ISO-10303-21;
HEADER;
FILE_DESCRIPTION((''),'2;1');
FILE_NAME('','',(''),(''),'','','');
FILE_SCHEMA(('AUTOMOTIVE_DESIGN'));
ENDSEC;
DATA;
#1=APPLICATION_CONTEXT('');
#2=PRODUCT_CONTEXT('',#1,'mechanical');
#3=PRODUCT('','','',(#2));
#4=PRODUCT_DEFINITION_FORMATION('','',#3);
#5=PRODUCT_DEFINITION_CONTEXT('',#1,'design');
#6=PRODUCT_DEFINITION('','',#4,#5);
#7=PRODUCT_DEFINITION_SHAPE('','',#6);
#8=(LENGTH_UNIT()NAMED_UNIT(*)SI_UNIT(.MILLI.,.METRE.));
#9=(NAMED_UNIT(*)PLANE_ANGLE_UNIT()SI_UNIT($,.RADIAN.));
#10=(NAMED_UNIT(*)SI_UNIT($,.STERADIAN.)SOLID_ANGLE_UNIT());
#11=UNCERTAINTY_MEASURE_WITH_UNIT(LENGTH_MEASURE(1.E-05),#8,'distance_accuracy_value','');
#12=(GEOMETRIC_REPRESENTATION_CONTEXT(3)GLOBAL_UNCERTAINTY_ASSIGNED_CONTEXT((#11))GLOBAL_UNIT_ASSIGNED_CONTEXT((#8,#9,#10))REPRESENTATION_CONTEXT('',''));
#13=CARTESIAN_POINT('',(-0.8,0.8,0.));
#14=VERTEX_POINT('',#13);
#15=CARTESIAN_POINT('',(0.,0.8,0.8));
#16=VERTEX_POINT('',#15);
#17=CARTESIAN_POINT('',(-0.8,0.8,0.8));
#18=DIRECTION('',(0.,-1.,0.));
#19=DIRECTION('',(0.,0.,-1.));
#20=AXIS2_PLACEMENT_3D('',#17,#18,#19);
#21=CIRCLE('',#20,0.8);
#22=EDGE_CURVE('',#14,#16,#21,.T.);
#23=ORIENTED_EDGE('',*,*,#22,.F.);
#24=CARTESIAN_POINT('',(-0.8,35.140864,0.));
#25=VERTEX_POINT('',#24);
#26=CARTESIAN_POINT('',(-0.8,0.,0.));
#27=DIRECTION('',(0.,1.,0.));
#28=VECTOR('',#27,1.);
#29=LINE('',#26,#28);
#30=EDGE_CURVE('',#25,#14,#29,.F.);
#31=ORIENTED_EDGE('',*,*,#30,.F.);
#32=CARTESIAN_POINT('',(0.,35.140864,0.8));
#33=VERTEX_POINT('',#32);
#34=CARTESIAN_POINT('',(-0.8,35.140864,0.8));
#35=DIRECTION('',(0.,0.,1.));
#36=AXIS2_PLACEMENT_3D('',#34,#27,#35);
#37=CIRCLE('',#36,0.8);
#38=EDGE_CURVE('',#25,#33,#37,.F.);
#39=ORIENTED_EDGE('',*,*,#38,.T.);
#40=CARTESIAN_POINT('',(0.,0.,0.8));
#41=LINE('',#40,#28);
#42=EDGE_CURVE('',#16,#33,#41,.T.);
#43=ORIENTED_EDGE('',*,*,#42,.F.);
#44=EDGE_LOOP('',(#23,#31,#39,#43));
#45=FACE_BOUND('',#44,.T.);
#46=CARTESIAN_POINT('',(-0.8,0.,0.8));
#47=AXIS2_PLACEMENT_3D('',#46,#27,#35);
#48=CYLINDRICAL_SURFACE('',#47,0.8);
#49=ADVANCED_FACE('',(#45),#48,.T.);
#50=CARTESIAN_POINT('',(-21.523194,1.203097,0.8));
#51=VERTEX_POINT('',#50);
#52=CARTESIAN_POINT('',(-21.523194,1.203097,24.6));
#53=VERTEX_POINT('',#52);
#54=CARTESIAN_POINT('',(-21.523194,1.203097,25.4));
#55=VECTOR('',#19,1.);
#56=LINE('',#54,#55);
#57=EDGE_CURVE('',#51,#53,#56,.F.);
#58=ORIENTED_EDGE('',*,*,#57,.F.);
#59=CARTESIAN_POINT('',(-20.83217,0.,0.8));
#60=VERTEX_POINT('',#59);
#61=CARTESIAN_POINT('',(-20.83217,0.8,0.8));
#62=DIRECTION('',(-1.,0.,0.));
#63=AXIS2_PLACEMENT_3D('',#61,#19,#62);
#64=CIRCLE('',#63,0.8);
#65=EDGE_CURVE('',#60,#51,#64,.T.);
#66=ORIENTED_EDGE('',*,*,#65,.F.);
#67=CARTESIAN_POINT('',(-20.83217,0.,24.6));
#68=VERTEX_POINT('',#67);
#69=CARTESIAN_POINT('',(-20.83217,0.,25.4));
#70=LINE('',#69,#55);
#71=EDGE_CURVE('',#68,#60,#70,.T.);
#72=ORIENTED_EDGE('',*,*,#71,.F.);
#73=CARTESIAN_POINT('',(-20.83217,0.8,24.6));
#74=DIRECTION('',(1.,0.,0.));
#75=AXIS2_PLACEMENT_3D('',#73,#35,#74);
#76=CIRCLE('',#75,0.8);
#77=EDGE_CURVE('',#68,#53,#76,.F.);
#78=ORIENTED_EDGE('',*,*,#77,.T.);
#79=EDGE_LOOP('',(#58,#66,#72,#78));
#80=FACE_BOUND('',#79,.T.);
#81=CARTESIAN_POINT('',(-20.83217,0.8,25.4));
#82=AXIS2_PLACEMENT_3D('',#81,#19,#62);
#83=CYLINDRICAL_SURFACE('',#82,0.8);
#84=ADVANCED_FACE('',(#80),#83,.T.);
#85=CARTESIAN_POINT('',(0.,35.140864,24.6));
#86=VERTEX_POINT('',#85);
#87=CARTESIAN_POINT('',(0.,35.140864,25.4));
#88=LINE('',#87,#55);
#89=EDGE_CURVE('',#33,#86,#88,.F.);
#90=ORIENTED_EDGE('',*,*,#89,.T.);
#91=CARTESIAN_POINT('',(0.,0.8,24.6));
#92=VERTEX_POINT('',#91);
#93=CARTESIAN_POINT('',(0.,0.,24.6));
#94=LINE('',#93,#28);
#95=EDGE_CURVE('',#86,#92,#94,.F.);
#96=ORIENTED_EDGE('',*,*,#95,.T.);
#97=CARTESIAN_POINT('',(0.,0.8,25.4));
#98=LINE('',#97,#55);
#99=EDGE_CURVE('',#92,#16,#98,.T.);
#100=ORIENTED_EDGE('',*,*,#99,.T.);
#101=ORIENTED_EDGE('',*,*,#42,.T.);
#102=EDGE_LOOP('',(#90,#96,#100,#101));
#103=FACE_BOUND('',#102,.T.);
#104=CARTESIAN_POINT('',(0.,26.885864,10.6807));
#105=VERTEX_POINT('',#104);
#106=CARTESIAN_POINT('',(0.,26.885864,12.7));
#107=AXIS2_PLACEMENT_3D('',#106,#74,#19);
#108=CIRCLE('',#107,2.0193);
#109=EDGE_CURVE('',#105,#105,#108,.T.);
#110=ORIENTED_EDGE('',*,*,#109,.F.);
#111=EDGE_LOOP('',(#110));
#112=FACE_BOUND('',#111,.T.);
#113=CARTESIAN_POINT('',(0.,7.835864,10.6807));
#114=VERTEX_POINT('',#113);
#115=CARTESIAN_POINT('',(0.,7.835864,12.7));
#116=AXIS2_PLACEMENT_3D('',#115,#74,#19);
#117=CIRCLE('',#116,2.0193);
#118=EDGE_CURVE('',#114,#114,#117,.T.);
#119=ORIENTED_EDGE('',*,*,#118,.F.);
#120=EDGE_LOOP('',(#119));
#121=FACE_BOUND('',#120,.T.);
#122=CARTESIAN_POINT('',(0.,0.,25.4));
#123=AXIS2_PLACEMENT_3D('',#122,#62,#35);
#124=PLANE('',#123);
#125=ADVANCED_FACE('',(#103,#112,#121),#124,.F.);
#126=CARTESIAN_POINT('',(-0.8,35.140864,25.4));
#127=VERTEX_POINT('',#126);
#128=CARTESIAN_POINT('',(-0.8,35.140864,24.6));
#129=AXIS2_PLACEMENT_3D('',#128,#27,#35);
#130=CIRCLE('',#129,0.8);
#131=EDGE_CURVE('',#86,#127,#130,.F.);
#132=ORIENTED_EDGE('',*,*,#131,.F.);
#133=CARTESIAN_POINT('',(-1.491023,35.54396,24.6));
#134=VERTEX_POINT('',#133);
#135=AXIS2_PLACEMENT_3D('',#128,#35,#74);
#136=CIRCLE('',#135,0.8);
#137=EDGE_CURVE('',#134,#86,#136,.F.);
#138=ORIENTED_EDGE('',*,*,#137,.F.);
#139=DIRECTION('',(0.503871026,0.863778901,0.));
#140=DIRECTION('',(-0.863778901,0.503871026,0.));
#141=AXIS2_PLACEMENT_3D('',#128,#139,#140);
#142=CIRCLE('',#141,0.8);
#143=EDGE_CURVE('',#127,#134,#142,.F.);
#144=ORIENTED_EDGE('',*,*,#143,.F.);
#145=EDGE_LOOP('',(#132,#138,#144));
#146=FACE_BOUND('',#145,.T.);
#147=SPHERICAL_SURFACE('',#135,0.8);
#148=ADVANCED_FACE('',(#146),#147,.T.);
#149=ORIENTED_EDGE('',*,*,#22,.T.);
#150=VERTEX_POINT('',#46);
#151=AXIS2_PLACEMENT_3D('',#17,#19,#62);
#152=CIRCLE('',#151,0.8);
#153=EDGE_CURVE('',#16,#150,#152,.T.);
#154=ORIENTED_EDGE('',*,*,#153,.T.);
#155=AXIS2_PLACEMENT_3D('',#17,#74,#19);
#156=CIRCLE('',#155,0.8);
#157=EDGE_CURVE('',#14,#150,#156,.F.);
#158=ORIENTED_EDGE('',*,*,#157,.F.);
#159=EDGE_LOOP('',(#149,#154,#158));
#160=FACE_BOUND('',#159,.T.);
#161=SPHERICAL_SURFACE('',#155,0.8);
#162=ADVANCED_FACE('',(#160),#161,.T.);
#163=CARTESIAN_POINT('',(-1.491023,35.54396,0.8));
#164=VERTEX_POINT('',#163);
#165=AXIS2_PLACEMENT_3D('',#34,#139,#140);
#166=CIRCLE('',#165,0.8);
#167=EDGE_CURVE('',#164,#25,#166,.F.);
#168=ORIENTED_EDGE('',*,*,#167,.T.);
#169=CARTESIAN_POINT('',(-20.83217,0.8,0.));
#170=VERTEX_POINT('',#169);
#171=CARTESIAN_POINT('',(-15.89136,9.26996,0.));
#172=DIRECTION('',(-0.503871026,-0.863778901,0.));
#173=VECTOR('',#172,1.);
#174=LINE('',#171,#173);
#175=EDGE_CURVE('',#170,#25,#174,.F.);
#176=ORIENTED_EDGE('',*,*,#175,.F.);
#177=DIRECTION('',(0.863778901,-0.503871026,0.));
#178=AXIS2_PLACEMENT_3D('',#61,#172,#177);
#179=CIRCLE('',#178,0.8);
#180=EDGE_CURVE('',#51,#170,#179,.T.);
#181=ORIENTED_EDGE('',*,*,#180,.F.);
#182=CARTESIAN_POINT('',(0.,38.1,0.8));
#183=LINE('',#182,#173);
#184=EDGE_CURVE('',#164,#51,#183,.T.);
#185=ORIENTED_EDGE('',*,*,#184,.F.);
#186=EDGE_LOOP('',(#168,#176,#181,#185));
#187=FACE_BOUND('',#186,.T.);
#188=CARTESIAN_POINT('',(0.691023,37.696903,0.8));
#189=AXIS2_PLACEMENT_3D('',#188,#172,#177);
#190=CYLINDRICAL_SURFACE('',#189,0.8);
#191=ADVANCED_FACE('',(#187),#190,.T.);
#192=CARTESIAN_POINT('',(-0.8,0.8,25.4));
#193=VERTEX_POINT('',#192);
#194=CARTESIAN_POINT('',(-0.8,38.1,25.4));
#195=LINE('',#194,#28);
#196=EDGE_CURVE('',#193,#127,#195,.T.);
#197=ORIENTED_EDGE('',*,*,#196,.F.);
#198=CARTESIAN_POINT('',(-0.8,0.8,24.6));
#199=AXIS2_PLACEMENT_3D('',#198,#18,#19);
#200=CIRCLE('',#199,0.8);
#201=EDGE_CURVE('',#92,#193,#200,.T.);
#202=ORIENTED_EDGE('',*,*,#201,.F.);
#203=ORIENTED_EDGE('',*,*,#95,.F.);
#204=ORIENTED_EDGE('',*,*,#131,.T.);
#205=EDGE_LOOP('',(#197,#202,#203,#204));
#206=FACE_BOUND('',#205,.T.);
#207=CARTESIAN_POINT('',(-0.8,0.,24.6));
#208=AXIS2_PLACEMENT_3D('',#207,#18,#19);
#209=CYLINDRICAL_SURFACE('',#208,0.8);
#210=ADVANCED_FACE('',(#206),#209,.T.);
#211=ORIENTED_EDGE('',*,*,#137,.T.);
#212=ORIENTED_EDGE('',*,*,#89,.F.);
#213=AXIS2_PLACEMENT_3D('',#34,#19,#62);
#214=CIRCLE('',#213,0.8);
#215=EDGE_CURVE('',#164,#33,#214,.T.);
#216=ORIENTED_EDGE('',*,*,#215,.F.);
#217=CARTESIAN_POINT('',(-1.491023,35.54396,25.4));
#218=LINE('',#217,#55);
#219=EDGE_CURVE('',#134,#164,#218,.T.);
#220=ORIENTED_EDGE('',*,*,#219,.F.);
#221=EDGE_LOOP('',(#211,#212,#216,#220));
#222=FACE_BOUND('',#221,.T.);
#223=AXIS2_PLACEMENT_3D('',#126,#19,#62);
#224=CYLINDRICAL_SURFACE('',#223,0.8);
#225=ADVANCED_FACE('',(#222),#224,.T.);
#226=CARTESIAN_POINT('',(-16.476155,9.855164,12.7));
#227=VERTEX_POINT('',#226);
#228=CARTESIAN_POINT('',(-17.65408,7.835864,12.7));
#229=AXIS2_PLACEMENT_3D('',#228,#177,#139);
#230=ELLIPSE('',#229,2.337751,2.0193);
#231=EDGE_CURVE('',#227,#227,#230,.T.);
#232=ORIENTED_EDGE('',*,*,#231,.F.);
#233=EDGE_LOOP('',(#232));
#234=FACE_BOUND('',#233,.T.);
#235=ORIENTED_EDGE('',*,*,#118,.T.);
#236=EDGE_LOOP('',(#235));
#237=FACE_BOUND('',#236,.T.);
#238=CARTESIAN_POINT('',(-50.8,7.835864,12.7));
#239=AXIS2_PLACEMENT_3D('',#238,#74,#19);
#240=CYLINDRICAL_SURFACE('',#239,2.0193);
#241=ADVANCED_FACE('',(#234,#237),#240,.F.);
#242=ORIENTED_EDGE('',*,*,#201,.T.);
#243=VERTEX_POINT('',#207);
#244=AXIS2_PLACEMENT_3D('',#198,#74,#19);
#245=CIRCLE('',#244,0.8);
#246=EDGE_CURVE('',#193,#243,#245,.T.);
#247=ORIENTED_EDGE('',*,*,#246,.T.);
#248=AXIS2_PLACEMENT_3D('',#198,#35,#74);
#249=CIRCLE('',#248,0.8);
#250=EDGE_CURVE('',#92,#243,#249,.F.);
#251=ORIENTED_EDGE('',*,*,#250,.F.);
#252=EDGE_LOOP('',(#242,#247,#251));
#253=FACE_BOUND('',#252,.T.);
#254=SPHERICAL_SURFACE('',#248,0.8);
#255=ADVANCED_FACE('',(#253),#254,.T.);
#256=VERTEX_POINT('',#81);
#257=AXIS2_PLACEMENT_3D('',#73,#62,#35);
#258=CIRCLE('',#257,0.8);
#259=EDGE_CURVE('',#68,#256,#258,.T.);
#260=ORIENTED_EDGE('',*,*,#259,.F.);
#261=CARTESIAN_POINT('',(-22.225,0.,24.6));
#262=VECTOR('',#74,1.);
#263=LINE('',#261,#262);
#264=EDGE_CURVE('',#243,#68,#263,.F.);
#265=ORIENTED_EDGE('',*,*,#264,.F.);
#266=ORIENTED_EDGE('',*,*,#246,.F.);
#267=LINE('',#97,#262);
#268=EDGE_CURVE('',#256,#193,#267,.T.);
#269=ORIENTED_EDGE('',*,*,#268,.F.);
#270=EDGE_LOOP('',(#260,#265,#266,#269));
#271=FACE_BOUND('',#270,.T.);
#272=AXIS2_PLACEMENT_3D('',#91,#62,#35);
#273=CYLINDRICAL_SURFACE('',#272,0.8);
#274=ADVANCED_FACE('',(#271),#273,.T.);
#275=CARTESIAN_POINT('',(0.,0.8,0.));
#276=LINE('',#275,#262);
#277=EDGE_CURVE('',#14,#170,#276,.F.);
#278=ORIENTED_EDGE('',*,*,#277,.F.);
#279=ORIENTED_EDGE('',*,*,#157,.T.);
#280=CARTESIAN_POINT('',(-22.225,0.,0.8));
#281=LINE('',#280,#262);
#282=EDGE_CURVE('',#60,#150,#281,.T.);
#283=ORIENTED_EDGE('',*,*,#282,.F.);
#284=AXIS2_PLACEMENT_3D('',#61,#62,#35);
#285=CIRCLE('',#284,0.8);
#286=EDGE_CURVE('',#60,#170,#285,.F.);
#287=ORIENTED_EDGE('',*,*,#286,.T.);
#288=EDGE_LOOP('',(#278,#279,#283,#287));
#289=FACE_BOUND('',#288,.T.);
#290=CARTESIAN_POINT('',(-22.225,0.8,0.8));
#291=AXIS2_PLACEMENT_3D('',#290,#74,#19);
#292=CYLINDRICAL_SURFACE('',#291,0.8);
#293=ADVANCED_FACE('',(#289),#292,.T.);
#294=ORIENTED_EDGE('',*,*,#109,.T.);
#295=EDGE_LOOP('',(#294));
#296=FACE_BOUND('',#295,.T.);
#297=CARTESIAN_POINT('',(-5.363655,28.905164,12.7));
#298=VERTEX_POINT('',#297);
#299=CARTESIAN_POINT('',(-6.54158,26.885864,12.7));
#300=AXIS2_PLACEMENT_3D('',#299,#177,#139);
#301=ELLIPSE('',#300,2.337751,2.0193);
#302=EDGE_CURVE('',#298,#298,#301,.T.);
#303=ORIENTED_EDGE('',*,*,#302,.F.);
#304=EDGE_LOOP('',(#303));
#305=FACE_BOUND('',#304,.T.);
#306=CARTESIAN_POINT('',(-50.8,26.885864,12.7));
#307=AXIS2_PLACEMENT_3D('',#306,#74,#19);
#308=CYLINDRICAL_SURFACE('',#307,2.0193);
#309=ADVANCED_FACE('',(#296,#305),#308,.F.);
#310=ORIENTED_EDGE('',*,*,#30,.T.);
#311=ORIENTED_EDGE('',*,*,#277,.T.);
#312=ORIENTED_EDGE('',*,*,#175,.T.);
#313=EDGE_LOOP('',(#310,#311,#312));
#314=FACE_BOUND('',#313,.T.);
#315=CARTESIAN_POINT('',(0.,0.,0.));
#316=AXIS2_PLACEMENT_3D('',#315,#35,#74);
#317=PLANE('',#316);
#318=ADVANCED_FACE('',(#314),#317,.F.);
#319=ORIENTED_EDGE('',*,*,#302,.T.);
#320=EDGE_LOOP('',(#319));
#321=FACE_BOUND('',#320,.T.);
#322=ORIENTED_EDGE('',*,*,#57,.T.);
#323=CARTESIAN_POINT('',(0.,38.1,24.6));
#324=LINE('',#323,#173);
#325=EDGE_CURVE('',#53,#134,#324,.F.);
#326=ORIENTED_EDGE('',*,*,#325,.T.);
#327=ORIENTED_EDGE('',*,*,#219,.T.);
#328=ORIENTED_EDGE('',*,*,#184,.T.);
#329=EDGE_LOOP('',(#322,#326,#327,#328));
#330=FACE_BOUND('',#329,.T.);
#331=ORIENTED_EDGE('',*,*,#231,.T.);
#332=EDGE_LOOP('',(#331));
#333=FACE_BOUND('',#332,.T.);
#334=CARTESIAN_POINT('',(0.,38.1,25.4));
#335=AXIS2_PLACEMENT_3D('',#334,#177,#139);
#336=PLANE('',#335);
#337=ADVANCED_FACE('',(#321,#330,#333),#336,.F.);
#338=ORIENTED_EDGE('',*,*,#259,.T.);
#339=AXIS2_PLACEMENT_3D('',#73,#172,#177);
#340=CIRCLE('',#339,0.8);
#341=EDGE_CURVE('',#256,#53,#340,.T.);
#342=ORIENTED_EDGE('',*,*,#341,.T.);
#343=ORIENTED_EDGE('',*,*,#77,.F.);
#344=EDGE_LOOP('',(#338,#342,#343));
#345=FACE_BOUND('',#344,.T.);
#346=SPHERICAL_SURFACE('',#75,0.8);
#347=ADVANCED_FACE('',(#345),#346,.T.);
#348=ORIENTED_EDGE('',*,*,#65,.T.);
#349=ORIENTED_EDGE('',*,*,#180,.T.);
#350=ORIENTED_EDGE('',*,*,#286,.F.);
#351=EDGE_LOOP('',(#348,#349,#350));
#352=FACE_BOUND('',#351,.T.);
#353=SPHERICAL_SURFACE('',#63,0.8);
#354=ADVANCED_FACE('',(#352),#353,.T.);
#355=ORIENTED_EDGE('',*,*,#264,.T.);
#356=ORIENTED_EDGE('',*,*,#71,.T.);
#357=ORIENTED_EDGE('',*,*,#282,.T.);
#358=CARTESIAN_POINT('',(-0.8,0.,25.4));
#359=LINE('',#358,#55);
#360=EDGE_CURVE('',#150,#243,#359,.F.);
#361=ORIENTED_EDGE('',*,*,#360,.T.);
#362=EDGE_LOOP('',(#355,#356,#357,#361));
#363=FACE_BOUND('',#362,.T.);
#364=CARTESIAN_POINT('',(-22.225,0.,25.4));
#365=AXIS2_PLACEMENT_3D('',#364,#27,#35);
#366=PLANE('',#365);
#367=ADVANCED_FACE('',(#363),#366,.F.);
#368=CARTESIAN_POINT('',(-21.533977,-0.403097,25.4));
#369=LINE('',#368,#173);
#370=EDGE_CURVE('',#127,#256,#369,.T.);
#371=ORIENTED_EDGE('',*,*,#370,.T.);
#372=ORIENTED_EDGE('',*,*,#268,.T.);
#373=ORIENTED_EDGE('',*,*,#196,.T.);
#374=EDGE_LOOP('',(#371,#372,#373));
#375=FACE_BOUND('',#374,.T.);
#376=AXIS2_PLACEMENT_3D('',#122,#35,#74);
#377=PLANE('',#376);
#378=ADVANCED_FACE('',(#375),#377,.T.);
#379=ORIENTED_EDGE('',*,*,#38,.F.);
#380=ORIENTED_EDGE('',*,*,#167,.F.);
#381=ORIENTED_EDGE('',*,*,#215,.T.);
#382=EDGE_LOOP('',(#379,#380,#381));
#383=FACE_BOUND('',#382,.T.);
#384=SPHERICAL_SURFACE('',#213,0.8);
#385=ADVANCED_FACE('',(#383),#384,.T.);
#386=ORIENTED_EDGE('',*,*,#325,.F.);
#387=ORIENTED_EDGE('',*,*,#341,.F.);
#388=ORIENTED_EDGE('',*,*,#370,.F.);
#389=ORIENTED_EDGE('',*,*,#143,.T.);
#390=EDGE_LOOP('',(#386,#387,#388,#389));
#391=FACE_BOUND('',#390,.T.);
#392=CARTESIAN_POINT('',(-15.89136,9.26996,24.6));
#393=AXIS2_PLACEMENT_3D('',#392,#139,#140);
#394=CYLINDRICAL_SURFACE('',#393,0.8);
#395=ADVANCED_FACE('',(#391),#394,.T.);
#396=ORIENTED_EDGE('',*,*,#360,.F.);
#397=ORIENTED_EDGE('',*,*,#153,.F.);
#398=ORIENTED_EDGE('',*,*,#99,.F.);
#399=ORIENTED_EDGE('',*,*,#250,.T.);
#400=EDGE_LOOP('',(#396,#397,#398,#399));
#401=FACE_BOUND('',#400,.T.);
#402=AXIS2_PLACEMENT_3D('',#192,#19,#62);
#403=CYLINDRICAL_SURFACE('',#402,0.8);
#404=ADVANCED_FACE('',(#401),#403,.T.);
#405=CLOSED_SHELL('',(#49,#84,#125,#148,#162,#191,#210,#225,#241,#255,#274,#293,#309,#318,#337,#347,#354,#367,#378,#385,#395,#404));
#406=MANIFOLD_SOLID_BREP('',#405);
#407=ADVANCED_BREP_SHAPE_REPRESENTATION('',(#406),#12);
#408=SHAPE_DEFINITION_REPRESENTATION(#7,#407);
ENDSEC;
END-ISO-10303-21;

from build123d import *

# Parameters (mm, degrees)
BOSS_EXTRUDE1_DEPTH = 25.4
FILLET1_R           = 0.8
SKETCH2_R           = 2.0193
CUT_EXTRUDE1_DEPTH  = 50.8


with BuildPart() as part:
    # Sketch1 → Boss-Extrude1 (new body)
    with BuildSketch(Plane.XY):
        Polygon((0, 0), (0, 38.1), (-22.225, 0), align=None)
    extrude(amount=BOSS_EXTRUDE1_DEPTH)

    # Fillet1
    fillet1_edges = [part.edges().sort_by_distance(p)[0] for p in [
        (-11.1125, 19.05, 25.4),
        (-11.1125, 19.05, 0),
        (0, 19.05, 0),
        (-11.1125, 0, 0),
        (-11.1125, 0, 25.4),
        (-22.225, 0, 12.7),
        (0, 38.1, 12.7),
        (0, 0, 12.7),
        (0, 19.05, 25.4),
    ]]
    fillet(fillet1_edges, radius=FILLET1_R)

    # Sketch2 → Cut-Extrude1 (cut)
    with BuildSketch(Plane(origin=(0, 0, 0), x_dir=(0, 0, -1), z_dir=(1, 0, 0))):
        with Locations((-12.7, 26.885863544)):
            Circle(SKETCH2_R)
        with Locations((-12.7, 7.835863544)):
            Circle(SKETCH2_R)
    extrude(amount=-CUT_EXTRUDE1_DEPTH, mode=Mode.SUBTRACT)


solid = part.part
